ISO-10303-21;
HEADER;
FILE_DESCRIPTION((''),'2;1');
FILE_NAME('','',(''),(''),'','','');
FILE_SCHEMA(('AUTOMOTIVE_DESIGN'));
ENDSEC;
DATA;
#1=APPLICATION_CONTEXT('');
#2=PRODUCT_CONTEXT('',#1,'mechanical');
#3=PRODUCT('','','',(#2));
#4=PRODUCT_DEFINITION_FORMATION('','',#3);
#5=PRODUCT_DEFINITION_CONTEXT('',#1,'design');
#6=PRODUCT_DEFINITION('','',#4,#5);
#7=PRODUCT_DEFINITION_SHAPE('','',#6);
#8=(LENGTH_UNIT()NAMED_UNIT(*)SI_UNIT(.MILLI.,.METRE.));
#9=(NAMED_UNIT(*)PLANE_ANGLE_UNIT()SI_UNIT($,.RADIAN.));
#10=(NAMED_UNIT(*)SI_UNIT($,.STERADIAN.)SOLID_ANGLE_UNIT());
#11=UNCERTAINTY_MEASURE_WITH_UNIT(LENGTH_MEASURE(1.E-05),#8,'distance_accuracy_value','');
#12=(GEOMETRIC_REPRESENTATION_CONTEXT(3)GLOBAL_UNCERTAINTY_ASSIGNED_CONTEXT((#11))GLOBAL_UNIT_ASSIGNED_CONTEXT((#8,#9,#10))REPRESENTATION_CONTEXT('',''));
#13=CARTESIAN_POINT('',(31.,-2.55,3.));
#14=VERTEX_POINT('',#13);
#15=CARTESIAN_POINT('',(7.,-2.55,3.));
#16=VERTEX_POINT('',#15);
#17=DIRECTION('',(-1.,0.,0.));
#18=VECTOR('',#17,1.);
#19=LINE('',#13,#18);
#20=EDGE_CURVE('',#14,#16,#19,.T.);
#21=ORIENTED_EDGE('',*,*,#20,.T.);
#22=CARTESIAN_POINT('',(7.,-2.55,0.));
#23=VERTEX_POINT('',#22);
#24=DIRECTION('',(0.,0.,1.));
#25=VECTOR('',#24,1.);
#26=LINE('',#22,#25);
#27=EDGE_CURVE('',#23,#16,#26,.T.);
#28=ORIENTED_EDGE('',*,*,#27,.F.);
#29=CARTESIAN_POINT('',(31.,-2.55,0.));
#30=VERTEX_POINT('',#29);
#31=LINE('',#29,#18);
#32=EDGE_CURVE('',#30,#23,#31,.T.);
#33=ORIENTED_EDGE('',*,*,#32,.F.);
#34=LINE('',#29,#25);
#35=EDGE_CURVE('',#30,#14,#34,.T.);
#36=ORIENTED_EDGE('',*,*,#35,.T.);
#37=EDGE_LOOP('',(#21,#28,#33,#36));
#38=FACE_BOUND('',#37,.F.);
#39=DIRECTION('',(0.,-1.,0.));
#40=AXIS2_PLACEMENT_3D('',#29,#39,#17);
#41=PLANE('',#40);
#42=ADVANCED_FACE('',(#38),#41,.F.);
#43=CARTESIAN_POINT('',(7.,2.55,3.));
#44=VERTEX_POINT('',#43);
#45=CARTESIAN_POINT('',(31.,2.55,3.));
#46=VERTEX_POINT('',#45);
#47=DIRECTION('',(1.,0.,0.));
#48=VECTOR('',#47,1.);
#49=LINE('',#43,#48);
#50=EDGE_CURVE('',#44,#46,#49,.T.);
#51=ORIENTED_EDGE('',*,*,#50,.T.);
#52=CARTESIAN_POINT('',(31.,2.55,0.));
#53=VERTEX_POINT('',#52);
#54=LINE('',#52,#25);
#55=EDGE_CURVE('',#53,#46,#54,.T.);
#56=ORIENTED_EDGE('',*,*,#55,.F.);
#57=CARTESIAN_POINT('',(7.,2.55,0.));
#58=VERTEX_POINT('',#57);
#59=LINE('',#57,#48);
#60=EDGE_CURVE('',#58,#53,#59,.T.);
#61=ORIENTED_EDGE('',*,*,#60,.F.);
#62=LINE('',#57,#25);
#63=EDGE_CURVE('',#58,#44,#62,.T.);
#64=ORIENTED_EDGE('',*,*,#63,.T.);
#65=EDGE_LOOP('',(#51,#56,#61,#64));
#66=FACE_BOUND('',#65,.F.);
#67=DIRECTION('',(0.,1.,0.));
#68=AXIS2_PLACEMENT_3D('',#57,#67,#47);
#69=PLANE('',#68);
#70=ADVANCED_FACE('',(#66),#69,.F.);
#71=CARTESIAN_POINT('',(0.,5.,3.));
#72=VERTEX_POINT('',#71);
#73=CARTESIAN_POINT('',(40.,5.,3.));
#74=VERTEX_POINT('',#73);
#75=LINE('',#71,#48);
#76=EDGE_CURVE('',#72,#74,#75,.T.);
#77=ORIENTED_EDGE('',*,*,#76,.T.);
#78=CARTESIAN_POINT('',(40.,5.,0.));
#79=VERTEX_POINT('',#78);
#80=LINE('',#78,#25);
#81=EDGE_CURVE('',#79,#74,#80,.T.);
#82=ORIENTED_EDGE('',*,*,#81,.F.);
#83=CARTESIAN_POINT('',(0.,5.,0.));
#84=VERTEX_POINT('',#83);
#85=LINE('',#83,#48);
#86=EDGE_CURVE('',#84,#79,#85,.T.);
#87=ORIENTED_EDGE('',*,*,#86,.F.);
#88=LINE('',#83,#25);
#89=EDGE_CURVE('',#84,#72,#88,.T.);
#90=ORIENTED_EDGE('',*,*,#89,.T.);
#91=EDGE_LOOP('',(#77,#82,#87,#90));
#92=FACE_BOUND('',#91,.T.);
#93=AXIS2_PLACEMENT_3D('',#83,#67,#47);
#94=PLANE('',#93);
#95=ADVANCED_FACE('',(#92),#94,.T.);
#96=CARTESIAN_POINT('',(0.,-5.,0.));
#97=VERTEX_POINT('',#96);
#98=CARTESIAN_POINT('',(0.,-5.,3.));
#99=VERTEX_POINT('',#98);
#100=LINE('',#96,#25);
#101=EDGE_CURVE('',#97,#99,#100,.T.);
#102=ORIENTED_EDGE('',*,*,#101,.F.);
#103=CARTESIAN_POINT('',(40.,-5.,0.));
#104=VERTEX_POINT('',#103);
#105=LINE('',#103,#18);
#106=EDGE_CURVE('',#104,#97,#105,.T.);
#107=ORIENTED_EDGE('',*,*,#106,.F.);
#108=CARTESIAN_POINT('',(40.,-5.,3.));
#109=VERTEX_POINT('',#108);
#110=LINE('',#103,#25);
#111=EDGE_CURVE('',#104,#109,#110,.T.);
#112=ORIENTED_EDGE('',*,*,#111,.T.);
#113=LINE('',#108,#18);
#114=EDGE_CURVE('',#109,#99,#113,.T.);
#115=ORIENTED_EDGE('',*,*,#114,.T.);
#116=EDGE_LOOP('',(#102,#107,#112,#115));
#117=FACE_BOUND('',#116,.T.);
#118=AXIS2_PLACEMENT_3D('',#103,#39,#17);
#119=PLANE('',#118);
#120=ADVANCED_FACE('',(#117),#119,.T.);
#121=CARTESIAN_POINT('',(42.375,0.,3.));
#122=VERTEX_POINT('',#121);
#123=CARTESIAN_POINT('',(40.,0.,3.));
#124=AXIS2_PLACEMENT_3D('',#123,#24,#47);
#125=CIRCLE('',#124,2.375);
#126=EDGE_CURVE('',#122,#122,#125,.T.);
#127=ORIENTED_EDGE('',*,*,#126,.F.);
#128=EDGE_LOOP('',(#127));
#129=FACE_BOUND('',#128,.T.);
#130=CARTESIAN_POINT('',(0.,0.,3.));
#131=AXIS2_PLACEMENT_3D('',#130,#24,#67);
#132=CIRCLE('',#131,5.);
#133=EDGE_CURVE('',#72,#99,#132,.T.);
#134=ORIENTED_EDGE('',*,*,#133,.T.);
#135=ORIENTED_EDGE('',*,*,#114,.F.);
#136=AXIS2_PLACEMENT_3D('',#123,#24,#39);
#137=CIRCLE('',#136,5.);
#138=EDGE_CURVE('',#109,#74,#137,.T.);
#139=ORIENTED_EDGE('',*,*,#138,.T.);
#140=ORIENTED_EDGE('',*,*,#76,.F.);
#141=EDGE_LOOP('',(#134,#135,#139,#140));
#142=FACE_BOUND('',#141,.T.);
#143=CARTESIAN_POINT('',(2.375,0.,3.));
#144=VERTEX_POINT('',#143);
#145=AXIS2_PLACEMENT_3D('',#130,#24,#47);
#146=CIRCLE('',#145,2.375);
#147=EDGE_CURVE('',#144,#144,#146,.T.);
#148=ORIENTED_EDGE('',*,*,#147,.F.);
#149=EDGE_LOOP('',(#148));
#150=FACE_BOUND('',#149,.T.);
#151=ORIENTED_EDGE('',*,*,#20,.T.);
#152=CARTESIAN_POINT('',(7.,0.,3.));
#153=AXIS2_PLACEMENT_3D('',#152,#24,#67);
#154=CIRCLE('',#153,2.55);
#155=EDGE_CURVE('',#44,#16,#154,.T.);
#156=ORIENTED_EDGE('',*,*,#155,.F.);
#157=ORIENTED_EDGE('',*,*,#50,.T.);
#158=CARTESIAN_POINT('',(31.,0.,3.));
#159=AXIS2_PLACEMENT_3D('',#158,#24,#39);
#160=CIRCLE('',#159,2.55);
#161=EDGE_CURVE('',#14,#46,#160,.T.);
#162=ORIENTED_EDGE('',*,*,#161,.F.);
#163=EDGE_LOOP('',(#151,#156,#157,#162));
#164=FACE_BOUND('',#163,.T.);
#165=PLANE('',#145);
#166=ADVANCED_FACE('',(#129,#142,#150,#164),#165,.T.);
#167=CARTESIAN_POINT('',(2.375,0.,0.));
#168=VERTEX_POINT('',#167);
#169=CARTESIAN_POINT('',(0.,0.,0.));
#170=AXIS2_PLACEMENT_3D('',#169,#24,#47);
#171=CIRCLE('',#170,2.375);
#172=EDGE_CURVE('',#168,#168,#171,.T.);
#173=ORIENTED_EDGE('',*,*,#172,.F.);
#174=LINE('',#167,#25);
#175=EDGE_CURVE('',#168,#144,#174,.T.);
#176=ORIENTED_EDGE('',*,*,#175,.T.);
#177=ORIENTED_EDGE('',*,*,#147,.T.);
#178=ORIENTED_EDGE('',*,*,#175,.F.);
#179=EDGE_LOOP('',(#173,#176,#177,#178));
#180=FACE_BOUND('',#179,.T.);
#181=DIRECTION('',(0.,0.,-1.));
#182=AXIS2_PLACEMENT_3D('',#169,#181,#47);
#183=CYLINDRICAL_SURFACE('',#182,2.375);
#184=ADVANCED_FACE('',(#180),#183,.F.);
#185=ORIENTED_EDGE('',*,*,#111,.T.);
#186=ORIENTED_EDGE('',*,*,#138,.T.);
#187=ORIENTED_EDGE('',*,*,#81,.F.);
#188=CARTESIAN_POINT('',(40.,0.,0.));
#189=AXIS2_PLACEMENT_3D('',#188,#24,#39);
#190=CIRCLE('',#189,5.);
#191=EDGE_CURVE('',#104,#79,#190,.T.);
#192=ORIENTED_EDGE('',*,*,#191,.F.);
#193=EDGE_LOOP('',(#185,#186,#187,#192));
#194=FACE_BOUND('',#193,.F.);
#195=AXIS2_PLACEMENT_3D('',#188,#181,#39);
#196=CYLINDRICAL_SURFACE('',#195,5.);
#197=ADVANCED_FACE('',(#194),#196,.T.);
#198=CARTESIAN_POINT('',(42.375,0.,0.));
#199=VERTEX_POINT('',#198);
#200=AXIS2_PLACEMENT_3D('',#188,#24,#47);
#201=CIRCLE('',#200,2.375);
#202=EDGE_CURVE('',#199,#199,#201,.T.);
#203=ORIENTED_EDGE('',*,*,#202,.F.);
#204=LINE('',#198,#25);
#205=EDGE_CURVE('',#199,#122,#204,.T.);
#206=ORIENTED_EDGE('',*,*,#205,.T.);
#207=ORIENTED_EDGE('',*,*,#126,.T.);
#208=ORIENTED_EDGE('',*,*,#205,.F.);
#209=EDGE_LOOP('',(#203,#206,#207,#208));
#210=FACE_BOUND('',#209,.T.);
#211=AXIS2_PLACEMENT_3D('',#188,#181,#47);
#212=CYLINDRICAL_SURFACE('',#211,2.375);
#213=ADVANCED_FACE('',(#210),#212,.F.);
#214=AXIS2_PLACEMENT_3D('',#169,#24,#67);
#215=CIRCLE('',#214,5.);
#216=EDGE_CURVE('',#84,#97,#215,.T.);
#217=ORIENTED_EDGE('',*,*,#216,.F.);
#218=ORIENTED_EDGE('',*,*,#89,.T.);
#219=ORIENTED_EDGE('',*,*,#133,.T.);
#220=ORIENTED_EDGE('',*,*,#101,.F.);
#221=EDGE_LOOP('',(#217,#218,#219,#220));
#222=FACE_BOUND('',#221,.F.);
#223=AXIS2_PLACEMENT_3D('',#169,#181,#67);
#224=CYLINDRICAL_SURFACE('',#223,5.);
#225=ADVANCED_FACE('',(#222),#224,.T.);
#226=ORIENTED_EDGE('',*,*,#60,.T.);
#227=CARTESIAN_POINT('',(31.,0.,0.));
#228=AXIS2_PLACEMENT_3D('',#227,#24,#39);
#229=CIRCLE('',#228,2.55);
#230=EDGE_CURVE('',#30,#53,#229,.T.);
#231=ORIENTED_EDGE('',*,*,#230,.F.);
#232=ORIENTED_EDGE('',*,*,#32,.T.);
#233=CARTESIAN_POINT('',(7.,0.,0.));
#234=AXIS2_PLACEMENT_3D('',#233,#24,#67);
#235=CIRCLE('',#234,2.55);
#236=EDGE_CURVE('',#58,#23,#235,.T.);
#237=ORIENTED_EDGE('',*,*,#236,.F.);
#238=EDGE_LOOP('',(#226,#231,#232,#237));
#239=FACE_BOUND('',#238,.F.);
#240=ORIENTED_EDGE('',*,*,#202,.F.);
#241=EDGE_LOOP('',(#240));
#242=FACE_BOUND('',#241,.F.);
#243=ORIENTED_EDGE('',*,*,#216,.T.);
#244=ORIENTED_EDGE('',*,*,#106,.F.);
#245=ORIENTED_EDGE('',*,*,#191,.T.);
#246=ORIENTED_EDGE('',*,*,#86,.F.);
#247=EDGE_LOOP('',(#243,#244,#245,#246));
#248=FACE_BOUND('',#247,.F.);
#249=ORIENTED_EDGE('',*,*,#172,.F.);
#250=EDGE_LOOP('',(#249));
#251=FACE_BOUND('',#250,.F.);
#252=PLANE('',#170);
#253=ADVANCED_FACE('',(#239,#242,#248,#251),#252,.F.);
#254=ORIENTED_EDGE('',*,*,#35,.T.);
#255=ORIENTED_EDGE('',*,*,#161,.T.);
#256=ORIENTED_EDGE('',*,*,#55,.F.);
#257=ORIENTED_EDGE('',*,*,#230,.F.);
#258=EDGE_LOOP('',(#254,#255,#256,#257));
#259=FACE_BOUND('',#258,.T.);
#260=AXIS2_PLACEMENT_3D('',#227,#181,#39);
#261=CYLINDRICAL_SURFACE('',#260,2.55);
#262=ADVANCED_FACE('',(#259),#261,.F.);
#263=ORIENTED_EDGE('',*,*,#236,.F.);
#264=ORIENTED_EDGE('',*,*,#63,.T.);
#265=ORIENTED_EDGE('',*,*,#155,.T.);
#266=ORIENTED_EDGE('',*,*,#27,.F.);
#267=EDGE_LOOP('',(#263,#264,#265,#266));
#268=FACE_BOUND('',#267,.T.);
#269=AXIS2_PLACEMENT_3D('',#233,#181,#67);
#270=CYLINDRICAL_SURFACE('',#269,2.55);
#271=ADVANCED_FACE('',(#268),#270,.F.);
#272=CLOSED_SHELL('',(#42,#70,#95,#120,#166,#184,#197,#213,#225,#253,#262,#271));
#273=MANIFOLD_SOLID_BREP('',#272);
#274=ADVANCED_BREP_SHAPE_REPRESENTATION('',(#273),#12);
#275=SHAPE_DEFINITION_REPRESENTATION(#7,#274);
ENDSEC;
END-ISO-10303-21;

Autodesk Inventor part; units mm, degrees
ref_plane "YZ Plane" through (0, 0, 0) normal (1, 0, 0) x (0, 1, 0)
ref_plane "XZ Plane" through (0, 0, 0) normal (0, 1, 0) x (-1, 0, 0)
ref_plane "XY Plane" through (0, 0, 0) normal (0, 0, 1) x (1, 0, 0)
sketch "Sketch1" plane through (0, 0, 0) normal (0, 0, 1) x (1, 0, 0)
  circle A0 centre (0, 0) radius 2.375
  circle A1 centre (40, 0) radius 2.375
  line L0 (0, 5) -> (40, 5)
  arc A2 (40, -5) -> (40, 5) centre (40, 0) ccw
  line L1 (40, -5) -> (0, -5)
  arc A3 (0, 5) -> (0, -5) centre (0, 0) ccw
  arc A4 (7, 2.55) -> (7, -2.55) centre (7, 0) ccw
  arc A5 (31, -2.55) -> (31, 2.55) centre (31, 0) ccw
  line L2 (7, 2.55) -> (31, 2.55)
  line L3 (31, -2.55) -> (7, -2.55)
  dimension "d1" = 4.75
  dimension "d2" = 40
  dimension "d3" = 5
  dimension "d7" = 5.1
  dimension "d8" = 7
  dimension "d9" = 9
extrude "Extrusion1" add sketch "Sketch1" along normal blind 3
sketch3d "3D Sketch1"
properties part number "slider_link_p1"
